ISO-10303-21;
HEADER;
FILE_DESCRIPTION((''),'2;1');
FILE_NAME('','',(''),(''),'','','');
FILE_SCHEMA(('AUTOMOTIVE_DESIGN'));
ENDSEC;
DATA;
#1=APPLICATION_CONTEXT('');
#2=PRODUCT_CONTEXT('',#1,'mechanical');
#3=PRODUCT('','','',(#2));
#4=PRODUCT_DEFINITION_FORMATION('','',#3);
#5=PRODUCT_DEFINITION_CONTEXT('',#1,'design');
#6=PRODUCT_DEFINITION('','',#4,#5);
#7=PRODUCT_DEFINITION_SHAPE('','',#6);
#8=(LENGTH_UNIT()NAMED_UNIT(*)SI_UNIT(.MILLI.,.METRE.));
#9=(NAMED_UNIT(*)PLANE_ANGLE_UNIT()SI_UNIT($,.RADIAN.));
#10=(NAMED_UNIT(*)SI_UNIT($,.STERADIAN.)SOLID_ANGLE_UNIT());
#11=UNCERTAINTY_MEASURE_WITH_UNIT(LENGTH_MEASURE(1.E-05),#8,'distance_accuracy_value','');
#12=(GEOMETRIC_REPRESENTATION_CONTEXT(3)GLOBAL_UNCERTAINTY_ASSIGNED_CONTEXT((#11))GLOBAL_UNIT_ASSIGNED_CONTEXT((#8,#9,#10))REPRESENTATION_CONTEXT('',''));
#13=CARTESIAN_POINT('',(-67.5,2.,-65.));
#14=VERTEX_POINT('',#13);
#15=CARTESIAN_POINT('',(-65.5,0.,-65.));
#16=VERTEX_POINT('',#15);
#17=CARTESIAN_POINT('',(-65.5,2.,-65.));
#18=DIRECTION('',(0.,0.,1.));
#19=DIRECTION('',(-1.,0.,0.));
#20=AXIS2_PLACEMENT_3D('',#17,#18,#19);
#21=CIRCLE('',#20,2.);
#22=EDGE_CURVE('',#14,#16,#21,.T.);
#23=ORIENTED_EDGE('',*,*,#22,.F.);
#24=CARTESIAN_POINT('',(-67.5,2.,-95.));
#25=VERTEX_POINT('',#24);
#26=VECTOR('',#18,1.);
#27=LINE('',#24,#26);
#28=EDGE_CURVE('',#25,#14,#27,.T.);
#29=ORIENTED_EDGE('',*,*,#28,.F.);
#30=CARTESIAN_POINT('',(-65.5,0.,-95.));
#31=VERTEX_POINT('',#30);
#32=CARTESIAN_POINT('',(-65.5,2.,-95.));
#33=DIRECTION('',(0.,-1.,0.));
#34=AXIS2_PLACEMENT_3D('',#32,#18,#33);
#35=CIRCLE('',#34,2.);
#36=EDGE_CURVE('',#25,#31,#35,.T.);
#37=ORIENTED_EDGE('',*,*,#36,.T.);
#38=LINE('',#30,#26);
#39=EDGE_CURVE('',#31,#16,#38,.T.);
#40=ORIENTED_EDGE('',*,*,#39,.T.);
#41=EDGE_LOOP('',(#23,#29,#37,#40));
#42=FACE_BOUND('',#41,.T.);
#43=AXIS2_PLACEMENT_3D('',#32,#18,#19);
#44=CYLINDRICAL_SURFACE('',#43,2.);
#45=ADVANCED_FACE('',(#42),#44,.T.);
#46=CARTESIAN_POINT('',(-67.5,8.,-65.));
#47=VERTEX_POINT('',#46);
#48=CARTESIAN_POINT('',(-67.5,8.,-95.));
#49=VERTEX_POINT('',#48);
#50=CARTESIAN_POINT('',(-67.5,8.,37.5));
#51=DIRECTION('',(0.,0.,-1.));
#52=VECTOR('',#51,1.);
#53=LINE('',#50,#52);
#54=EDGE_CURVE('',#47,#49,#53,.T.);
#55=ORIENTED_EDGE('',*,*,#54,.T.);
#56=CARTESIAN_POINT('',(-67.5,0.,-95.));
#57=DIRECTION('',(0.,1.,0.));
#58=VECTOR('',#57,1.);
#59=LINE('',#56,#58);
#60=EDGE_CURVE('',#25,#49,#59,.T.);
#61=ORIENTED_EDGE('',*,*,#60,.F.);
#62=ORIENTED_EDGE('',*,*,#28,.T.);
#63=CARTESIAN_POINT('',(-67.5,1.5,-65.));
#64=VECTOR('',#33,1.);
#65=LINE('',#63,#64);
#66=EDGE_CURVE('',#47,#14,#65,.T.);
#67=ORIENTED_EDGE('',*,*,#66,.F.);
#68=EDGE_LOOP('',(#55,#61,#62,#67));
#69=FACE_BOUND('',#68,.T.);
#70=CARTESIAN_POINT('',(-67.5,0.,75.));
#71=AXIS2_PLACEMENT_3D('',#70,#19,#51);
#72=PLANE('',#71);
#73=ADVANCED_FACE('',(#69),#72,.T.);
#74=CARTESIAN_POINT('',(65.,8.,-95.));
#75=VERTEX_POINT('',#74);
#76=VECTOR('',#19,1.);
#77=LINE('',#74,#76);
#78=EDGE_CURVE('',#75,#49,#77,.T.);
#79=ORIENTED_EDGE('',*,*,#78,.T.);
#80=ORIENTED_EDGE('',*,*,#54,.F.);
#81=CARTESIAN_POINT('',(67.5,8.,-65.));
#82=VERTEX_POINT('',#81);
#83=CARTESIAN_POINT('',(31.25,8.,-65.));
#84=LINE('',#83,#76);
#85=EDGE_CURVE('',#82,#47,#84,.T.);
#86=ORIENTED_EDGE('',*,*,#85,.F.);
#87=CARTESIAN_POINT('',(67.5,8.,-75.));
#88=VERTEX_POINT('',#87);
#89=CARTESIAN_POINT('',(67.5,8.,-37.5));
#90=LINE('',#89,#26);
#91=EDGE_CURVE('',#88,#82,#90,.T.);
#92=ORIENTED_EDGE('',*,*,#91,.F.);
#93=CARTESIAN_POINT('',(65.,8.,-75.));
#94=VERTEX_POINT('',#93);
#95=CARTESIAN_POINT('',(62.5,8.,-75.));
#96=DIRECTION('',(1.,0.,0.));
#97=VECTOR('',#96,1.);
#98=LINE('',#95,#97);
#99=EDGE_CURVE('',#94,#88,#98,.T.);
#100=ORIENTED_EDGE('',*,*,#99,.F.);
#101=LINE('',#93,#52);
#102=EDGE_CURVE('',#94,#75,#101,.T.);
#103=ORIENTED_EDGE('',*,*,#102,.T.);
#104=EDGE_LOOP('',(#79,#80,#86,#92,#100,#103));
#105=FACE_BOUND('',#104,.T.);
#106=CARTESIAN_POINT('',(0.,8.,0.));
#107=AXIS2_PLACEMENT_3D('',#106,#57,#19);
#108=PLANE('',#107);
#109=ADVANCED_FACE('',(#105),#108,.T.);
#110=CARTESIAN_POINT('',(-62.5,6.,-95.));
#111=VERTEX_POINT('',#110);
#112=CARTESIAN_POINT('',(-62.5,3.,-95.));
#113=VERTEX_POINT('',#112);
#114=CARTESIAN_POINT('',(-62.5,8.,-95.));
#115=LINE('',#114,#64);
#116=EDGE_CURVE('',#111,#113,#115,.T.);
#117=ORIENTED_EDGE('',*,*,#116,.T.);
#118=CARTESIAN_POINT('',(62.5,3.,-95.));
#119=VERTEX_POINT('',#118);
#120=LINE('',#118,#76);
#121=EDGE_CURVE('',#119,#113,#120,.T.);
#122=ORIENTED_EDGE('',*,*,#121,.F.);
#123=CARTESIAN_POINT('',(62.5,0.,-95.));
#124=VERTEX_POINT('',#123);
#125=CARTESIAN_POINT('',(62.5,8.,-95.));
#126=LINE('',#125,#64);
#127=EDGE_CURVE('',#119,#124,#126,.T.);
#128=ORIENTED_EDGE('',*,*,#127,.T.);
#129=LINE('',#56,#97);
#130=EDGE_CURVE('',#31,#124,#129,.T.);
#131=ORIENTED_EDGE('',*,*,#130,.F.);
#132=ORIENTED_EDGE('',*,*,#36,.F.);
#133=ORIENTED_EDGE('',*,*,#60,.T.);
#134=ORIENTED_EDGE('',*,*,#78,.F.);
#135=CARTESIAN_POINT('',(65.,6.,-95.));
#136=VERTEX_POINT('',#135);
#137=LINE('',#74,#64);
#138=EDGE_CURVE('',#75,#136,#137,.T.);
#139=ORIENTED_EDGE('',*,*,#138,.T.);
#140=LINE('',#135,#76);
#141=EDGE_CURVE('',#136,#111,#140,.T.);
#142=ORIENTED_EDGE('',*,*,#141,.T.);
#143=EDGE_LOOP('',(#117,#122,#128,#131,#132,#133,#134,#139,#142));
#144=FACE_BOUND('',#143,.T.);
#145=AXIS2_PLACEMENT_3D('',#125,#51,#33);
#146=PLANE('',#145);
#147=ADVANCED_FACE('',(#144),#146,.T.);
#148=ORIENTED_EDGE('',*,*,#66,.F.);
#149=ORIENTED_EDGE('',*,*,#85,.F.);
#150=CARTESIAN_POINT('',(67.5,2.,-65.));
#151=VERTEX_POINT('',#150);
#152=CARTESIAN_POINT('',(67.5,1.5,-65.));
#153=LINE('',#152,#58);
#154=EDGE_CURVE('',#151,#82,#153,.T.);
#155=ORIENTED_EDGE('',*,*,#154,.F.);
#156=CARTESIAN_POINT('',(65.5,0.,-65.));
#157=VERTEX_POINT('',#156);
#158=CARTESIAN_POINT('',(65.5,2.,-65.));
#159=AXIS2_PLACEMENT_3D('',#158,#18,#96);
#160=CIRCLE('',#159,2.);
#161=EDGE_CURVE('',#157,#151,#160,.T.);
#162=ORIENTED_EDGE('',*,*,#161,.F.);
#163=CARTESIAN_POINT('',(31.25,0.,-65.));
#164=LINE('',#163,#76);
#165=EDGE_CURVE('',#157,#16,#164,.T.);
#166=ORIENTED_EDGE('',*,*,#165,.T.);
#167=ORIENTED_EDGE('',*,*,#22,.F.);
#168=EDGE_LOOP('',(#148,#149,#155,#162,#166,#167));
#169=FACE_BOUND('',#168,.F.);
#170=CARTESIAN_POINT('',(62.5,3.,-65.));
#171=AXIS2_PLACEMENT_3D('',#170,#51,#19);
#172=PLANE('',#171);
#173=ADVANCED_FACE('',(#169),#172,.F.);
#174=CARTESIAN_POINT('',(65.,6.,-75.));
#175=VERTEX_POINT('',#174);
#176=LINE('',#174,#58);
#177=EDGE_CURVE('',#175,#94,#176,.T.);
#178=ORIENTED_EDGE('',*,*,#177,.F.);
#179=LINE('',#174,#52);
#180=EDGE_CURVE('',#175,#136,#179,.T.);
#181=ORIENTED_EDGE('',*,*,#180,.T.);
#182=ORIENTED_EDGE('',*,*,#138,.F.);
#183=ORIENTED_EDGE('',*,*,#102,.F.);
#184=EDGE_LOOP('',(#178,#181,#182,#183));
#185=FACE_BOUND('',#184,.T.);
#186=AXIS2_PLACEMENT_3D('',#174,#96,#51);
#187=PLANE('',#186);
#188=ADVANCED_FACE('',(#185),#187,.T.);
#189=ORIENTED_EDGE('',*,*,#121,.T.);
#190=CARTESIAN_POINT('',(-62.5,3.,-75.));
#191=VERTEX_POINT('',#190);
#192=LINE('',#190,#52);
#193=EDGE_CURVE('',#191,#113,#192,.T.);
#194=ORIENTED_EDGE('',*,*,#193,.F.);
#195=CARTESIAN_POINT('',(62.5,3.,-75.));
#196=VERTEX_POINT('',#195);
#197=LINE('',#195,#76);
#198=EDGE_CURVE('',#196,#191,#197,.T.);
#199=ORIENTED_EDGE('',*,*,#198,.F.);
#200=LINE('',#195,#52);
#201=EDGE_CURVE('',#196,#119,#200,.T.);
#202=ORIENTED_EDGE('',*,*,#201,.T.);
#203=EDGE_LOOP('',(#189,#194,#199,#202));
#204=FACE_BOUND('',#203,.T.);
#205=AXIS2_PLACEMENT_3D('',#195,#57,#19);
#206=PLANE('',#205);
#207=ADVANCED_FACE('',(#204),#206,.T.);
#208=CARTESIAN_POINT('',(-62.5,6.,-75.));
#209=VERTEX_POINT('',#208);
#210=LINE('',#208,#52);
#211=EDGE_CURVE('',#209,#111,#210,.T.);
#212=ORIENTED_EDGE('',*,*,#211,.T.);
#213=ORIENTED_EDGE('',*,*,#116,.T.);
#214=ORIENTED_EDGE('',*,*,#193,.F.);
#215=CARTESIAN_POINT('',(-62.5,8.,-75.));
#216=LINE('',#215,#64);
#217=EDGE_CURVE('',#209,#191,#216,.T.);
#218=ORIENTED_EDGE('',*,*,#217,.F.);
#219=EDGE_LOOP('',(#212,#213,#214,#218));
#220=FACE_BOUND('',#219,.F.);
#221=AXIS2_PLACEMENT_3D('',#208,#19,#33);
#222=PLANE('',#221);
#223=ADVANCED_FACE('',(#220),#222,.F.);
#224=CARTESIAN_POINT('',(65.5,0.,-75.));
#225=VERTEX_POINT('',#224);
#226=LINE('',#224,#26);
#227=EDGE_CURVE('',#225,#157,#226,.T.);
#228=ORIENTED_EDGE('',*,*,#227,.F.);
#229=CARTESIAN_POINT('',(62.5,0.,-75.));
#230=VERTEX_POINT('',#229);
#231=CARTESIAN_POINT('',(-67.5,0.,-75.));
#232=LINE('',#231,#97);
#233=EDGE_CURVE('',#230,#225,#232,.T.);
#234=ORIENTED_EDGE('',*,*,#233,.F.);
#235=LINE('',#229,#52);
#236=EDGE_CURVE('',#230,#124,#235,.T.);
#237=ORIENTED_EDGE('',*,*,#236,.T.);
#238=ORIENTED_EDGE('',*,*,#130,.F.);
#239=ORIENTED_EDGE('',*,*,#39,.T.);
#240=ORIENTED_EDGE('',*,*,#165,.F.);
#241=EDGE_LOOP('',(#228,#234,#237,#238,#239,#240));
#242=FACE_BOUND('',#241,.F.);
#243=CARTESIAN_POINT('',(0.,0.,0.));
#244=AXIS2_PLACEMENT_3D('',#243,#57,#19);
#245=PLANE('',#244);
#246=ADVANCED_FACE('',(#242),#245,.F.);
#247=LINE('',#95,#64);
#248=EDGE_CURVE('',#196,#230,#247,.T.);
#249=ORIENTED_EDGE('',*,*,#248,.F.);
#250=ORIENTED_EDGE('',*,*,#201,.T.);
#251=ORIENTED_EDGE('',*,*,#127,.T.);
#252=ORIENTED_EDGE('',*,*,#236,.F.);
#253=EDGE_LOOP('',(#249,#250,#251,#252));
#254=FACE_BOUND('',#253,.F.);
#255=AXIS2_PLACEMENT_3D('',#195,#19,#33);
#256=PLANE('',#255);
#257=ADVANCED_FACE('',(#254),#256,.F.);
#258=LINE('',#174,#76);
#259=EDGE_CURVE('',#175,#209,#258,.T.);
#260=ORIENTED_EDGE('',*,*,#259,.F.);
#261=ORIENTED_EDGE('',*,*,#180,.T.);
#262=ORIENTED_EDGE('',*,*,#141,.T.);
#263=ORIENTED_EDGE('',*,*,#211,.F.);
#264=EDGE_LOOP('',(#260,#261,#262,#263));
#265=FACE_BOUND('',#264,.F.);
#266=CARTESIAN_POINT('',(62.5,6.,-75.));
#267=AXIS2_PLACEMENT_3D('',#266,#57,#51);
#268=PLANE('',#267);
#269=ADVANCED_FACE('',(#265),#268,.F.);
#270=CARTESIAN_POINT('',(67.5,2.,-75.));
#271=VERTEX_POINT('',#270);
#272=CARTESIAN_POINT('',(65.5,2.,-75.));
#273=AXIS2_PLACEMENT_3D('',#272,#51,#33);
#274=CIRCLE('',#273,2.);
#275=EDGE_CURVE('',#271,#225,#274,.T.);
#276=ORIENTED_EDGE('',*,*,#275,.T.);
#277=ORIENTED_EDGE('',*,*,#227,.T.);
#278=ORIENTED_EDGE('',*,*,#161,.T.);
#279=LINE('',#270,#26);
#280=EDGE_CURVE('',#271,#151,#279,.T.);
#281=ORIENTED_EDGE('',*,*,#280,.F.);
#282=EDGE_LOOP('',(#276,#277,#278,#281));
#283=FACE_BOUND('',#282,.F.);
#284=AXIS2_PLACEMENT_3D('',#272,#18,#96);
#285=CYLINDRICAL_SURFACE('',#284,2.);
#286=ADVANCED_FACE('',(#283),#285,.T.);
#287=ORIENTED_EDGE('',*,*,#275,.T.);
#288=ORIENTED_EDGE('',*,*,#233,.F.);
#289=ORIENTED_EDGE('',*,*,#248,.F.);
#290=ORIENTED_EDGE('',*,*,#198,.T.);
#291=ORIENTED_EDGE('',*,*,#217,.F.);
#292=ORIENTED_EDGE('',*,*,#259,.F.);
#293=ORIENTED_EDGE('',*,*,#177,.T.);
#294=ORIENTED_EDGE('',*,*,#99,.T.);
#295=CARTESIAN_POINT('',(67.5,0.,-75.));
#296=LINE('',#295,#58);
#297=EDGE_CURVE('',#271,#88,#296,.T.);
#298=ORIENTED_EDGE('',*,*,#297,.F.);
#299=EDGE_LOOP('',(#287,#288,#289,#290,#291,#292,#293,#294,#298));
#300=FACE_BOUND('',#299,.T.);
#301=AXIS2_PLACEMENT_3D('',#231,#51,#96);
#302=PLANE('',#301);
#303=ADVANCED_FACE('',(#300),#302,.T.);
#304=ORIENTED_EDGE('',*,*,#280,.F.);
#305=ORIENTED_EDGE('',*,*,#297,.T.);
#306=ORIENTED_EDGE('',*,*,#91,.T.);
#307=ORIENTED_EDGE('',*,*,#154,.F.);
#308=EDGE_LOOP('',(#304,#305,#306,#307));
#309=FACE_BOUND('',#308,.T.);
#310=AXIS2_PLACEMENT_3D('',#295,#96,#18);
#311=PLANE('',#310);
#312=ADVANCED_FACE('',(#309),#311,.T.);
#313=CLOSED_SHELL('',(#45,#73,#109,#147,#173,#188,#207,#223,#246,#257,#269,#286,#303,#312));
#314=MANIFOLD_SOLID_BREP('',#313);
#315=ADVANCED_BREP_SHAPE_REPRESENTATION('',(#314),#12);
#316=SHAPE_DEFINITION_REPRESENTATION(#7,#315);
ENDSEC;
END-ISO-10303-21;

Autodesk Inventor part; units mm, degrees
sketch "Sketch1" plane through (0, 0, 0) normal (0, 1, 0) x (-1, 0, 0)
  line L0 (-67.5, 75) -> (67.5, 75)
  line L1 (67.5, 75) -> (67.5, -75)
  line L2 (67.5, -75) -> (-67.5, -75)
  line L3 (-67.5, -75) -> (-67.5, 75)
  line L4 (-67.5, 75) -> (67.5, -75) construction
  line L5 (67.5, 75) -> (-67.5, -75) construction
  point P0 (0, 0)
  dimension "d0" = 135
  dimension "d1" = 150
extrude "Extrusion1" add sketch "Sketch1" along normal blind 8
sketch "Sketch3" plane through (0, 8, 0) normal (0, 1, 0) x (1, 0, 0)
  line L0 (-67.5, -75) -> (67.5, -75) projected
  line L1 (67.5, -75) -> (67.5, 75) projected
  line L2 (67.5, 75) -> (-67.5, 75) projected
  line L3 (-67.5, 75) -> (-67.5, -75) projected
  line L4 (62.5, 75) -> (62.5, -70)
  line L5 (-67.5, -75) -> (67.5, -75) projected
  line L6 (67.5, -75) -> (67.5, 75) projected
  line L7 (0, 0) -> (0, -83) construction
  line L8 (-62.5, 75) -> (-62.5, -70)
  line L9 (62.5, -70) -> (-62.5, -70)
  dimension "d4" = 5
  dimension "d5" = 5
extrude "Extrusion2" add sketch "Sketch3" along normal blind 38.7 contours L3 L2 L8 L9 L4 L1 L0
sketch "Sketch4" plane through (67.5, 0, -75) normal (0, 0, -1) x (-1, 0, 0)
  line L0 (135, 0) -> (0, 0) projected
  line L1 (135, 0) -> (135, 46.7) projected
  line L2 (130, 46.7) -> (135, 46.7) projected
  line L3 (130, 8) -> (130, 46.7) projected
  line L4 (5, 8) -> (130, 8) projected
  line L5 (5, 8) -> (5, 46.7) projected
  line L6 (0, 46.7) -> (5, 46.7) projected
  line L7 (0, 0) -> (0, 46.7) projected
  line L8 (130, 8) -> (5, 8) projected
  line L9 (5, 8) -> (5, 0)
  line L10 (130, 8) -> (130, 0)
  line L11 (0, 0) -> (135, 0) projected
  line L12 (0, 0) -> (0, 46.7) projected
  line L13 (5, 3) -> (130, 3)
  line L14 (5, 8) -> (130, 8) projected
  line L15 (5, 6) -> (130, 6)
  line L16 (5, 8) -> (0, 8)
  line L17 (135, 0) -> (0, 0) projected
  point P0 (67.5, 0)
  dimension "d8" = 3
  dimension "d9" = 3
extrude "Extrusion3" add sketch "Sketch4" along normal blind 20 contours L0 L10 L3 L2 L1 | L0 L9 L13 L10 | L15 L9 L4 L10 | L7 L6 L5 L16
sketch "Sketch6" plane through (67.5, 0, 75) normal (1, 0, 0) x (0, 0, -1)
  line L0 (150, 0) -> (150, 8)
  line L1 (0, 0) -> (0, 46.7) projected
  line L2 (150, 8) -> (170, 8) projected
  line L3 (0, 46.7) -> (170, 46.7) projected
  line L4 (170, 46.7) -> (170, 8) projected
  line L5 (170, 21) -> (153, 21)
  line L6 (153, 21) -> (153, 33)
  line L7 (153, 33) -> (170, 33)
  line L8 (170, 33) -> (170, 21)
  point P0 (75, 0)
  dimension "d92" = 13
  dimension "d93" = 17
  dimension "d94" = 12
fillet "Fillet1" radius 2 11 edges at (67.5, 0, 0) (67.5, 46.7, -10) (67.5, 23.35, 75) (0, 46.7, 75) (0, 0, 75) (-67.5, 46.7, -10) (-67.5, 23.35, 75) (-67.5, 0, -10) (62.5, 46.7, -12.5) (-62.5, 46.7, -12.5) (0, 46.7, 70)
ref_plane "Work Plane4" through (-67.5, 9.7, -88) normal (-1, 0, 0) x (0, 0, 1)
sketch "Sketch15" plane through (62.5, 6, -75) normal (1, 0, 0) x (0, 0, -1)
  line L0 (0, 0) -> (0, 2) projected
  line L1 (0, 0) -> (20, 0) projected
  line L2 (20, 2) -> (20, 0) projected
  line L3 (0, 2) -> (20, 2) projected
  point P0 (-75, -6)
extrude "Extrusion8" add sketch "Sketch15" along normal blind 2.5
sketch "Sketch16" plane through (0, 8, 0) normal (0, 1, 0) x (1, 0, 0)
  line L0 (-62.5, -35) -> (-46.5, -35)
  line L1 (-46.5, -35) -> (-46.5, 5)
  line L2 (-46.5, 5) -> (-62.5, 5)
  line L3 (-62.5, 5) -> (-62.5, -35)
  line L4 (62.5, -70) -> (-62.5, -70) projected
  line L5 (-62.5, -70) -> (-62.5, 95) projected
  line L6 (46.5, -70) -> (62.5, -70)
  line L7 (62.5, -70) -> (62.5, -30)
  line L8 (62.5, -30) -> (46.5, -30)
  line L9 (46.5, -30) -> (46.5, -70)
  line L10 (62.5, 95) -> (62.5, -70) projected
  point P0 (0, 0)
  dimension "d39" = 35
  dimension "d40" = 0
  dimension "d41" = 16
  dimension "d42" = 40
  dimension "d43" = 0
  dimension "d44" = 0
  dimension "d45" = 40
  dimension "d46" = 16
extrude "Extrusion9" add sketch "Sketch16" along normal blind 16
fillet "Fillet4" radius 1 8 edges at (46.5, 24, 50) (54.5, 24, 30) (46.5, 16, 30) (-46.5, 24, 15) (-46.5, 16, -5) (-54.5, 24, 35) (-54.5, 24, -5) (-46.5, 16, 35)
sketch "Sketch17" plane through (0, 24, 0) normal (0, 1, 0) x (1, 0, 0)
  circle A0 centre (-56.5, -25) radius 2.25
  line L0 (-62.5, -34) -> (-62.5, 4) projected
  line L1 (-47.5, -34) -> (-62.5, -34) projected
  circle A1 centre (54.5, -57.5) radius 2.25
  line L2 (47.5, -70) -> (47.5, -31) projected
  line L3 (47.5, -31) -> (62.5, -31) projected
  line L4 (62.5, -70) -> (50.5, -70) projected
  point P0 (0, 0)
  dimension "d50" = 4.5
  dimension "d51" = 6
  dimension "d52" = 9
  dimension "d53" = 4.5
  dimension "d54" = 7
  dimension "d90" = 12.5
extrude "Extrusion10" cut sketch "Sketch17" against normal blind 12
ref_plane "Work Plane5" through (-62.5, 9.7, -88) normal (1, 0, 0) x (0, 0, -1)
sketch "Sketch18" plane through (-62.5, 9.7, -88) normal (1, 0, 0) x (0, 0, -1)
  circle A0 centre (-58, 19) radius 2.25
  circle A1 centre (-27.2, 19) radius 2.25
  line L0 (0, 8.1) -> (0, 14.1)
  line L1 (-27.2, 19) -> (-58, 19)
  line L2 (7, 37) -> (-160, 37) projected
  line L3 (-158, -1.7) -> (-158, 35) projected
  point P0 (-88, -9.7)
  dimension "d60" = 4.5
  dimension "d61" = 4.5
  dimension "d62" = 30.8
  dimension "d67" = 100
  dimension "d91" = 18
extrude "Extrusion11" cut sketch "Sketch18" against normal through all
ref_plane "Work Plane3" through (0, 22.5, 0) normal (0, 1, 0) x (1, 0, 0)
sketch "Sketch21" plane through (0, 22.5, 0) normal (0, 1, 0) x (1, 0, 0)
  circle A0 centre (54.5, -57.5) radius 2.25 projected
  line L0 (50.75, -55.3349) -> (54.5, -53.1699)
  line L1 (54.5, -53.1699) -> (58.25, -55.3349)
  line L2 (58.25, -55.3349) -> (58.25, -59.6651)
  line L3 (58.25, -59.6651) -> (54.5, -61.8301)
  line L4 (54.5, -61.8301) -> (50.75, -59.6651)
  line L5 (50.75, -59.6651) -> (50.75, -55.3349)
  line L6 (-62.5, -35) -> (-62.5, -70) projected
  line L7 (46.5, -70) -> (46.5, -31) projected
  circle A1 centre (-56.5, -25) radius 2.25 projected
  line L8 (-52.75, -27.1651) -> (-56.5, -29.3301)
  line L9 (-56.5, -29.3301) -> (-60.25, -27.1651)
  line L10 (-60.25, -27.1651) -> (-60.25, -22.8349)
  line L11 (-60.25, -22.8349) -> (-56.5, -20.6699)
  line L12 (-56.5, -20.6699) -> (-52.75, -22.8349)
  line L13 (-52.75, -22.8349) -> (-52.75, -27.1651)
  point P0 (0, 0)
  dimension "d78" = 7.5
  dimension "d79" = 7.5
extrude "Extrusion13" cut sketch "Sketch21" against normal blind 3.15
extrude "Extrusion14" cut sketch "Sketch6" against normal through all
sketch "Sketch22" plane through (0, 8, 0) normal (0, 1, 0) x (1, 0, 0)
  line L0 (224, -151) -> (-256, -151)
  line L1 (-256, -151) -> (-256, 143)
  line L2 (-256, 143) -> (224, 143)
  line L3 (224, 143) -> (224, -151)
  point P0 (0, 0)
extrude "Extrusion15" cut sketch "Sketch22" along normal through all
ref_plane "Work Plane6" through (62.5, 3, -65) normal (0, 0, -1) x (-1, 0, 0)
sketch "Sketch23" plane through (62.5, 3, -65) normal (0, 0, -1) x (-1, 0, 0)
  line L0 (-63, 29) -> (227, 29)
  line L1 (227, 29) -> (227, -39)
  line L2 (227, -39) -> (-63, -39)
  line L3 (-63, -39) -> (-63, 29)
  point P0 (62.5, -3)
extrude "Extrusion16" cut sketch "Sketch23" against normal through all
properties part number "Prova supporti"
